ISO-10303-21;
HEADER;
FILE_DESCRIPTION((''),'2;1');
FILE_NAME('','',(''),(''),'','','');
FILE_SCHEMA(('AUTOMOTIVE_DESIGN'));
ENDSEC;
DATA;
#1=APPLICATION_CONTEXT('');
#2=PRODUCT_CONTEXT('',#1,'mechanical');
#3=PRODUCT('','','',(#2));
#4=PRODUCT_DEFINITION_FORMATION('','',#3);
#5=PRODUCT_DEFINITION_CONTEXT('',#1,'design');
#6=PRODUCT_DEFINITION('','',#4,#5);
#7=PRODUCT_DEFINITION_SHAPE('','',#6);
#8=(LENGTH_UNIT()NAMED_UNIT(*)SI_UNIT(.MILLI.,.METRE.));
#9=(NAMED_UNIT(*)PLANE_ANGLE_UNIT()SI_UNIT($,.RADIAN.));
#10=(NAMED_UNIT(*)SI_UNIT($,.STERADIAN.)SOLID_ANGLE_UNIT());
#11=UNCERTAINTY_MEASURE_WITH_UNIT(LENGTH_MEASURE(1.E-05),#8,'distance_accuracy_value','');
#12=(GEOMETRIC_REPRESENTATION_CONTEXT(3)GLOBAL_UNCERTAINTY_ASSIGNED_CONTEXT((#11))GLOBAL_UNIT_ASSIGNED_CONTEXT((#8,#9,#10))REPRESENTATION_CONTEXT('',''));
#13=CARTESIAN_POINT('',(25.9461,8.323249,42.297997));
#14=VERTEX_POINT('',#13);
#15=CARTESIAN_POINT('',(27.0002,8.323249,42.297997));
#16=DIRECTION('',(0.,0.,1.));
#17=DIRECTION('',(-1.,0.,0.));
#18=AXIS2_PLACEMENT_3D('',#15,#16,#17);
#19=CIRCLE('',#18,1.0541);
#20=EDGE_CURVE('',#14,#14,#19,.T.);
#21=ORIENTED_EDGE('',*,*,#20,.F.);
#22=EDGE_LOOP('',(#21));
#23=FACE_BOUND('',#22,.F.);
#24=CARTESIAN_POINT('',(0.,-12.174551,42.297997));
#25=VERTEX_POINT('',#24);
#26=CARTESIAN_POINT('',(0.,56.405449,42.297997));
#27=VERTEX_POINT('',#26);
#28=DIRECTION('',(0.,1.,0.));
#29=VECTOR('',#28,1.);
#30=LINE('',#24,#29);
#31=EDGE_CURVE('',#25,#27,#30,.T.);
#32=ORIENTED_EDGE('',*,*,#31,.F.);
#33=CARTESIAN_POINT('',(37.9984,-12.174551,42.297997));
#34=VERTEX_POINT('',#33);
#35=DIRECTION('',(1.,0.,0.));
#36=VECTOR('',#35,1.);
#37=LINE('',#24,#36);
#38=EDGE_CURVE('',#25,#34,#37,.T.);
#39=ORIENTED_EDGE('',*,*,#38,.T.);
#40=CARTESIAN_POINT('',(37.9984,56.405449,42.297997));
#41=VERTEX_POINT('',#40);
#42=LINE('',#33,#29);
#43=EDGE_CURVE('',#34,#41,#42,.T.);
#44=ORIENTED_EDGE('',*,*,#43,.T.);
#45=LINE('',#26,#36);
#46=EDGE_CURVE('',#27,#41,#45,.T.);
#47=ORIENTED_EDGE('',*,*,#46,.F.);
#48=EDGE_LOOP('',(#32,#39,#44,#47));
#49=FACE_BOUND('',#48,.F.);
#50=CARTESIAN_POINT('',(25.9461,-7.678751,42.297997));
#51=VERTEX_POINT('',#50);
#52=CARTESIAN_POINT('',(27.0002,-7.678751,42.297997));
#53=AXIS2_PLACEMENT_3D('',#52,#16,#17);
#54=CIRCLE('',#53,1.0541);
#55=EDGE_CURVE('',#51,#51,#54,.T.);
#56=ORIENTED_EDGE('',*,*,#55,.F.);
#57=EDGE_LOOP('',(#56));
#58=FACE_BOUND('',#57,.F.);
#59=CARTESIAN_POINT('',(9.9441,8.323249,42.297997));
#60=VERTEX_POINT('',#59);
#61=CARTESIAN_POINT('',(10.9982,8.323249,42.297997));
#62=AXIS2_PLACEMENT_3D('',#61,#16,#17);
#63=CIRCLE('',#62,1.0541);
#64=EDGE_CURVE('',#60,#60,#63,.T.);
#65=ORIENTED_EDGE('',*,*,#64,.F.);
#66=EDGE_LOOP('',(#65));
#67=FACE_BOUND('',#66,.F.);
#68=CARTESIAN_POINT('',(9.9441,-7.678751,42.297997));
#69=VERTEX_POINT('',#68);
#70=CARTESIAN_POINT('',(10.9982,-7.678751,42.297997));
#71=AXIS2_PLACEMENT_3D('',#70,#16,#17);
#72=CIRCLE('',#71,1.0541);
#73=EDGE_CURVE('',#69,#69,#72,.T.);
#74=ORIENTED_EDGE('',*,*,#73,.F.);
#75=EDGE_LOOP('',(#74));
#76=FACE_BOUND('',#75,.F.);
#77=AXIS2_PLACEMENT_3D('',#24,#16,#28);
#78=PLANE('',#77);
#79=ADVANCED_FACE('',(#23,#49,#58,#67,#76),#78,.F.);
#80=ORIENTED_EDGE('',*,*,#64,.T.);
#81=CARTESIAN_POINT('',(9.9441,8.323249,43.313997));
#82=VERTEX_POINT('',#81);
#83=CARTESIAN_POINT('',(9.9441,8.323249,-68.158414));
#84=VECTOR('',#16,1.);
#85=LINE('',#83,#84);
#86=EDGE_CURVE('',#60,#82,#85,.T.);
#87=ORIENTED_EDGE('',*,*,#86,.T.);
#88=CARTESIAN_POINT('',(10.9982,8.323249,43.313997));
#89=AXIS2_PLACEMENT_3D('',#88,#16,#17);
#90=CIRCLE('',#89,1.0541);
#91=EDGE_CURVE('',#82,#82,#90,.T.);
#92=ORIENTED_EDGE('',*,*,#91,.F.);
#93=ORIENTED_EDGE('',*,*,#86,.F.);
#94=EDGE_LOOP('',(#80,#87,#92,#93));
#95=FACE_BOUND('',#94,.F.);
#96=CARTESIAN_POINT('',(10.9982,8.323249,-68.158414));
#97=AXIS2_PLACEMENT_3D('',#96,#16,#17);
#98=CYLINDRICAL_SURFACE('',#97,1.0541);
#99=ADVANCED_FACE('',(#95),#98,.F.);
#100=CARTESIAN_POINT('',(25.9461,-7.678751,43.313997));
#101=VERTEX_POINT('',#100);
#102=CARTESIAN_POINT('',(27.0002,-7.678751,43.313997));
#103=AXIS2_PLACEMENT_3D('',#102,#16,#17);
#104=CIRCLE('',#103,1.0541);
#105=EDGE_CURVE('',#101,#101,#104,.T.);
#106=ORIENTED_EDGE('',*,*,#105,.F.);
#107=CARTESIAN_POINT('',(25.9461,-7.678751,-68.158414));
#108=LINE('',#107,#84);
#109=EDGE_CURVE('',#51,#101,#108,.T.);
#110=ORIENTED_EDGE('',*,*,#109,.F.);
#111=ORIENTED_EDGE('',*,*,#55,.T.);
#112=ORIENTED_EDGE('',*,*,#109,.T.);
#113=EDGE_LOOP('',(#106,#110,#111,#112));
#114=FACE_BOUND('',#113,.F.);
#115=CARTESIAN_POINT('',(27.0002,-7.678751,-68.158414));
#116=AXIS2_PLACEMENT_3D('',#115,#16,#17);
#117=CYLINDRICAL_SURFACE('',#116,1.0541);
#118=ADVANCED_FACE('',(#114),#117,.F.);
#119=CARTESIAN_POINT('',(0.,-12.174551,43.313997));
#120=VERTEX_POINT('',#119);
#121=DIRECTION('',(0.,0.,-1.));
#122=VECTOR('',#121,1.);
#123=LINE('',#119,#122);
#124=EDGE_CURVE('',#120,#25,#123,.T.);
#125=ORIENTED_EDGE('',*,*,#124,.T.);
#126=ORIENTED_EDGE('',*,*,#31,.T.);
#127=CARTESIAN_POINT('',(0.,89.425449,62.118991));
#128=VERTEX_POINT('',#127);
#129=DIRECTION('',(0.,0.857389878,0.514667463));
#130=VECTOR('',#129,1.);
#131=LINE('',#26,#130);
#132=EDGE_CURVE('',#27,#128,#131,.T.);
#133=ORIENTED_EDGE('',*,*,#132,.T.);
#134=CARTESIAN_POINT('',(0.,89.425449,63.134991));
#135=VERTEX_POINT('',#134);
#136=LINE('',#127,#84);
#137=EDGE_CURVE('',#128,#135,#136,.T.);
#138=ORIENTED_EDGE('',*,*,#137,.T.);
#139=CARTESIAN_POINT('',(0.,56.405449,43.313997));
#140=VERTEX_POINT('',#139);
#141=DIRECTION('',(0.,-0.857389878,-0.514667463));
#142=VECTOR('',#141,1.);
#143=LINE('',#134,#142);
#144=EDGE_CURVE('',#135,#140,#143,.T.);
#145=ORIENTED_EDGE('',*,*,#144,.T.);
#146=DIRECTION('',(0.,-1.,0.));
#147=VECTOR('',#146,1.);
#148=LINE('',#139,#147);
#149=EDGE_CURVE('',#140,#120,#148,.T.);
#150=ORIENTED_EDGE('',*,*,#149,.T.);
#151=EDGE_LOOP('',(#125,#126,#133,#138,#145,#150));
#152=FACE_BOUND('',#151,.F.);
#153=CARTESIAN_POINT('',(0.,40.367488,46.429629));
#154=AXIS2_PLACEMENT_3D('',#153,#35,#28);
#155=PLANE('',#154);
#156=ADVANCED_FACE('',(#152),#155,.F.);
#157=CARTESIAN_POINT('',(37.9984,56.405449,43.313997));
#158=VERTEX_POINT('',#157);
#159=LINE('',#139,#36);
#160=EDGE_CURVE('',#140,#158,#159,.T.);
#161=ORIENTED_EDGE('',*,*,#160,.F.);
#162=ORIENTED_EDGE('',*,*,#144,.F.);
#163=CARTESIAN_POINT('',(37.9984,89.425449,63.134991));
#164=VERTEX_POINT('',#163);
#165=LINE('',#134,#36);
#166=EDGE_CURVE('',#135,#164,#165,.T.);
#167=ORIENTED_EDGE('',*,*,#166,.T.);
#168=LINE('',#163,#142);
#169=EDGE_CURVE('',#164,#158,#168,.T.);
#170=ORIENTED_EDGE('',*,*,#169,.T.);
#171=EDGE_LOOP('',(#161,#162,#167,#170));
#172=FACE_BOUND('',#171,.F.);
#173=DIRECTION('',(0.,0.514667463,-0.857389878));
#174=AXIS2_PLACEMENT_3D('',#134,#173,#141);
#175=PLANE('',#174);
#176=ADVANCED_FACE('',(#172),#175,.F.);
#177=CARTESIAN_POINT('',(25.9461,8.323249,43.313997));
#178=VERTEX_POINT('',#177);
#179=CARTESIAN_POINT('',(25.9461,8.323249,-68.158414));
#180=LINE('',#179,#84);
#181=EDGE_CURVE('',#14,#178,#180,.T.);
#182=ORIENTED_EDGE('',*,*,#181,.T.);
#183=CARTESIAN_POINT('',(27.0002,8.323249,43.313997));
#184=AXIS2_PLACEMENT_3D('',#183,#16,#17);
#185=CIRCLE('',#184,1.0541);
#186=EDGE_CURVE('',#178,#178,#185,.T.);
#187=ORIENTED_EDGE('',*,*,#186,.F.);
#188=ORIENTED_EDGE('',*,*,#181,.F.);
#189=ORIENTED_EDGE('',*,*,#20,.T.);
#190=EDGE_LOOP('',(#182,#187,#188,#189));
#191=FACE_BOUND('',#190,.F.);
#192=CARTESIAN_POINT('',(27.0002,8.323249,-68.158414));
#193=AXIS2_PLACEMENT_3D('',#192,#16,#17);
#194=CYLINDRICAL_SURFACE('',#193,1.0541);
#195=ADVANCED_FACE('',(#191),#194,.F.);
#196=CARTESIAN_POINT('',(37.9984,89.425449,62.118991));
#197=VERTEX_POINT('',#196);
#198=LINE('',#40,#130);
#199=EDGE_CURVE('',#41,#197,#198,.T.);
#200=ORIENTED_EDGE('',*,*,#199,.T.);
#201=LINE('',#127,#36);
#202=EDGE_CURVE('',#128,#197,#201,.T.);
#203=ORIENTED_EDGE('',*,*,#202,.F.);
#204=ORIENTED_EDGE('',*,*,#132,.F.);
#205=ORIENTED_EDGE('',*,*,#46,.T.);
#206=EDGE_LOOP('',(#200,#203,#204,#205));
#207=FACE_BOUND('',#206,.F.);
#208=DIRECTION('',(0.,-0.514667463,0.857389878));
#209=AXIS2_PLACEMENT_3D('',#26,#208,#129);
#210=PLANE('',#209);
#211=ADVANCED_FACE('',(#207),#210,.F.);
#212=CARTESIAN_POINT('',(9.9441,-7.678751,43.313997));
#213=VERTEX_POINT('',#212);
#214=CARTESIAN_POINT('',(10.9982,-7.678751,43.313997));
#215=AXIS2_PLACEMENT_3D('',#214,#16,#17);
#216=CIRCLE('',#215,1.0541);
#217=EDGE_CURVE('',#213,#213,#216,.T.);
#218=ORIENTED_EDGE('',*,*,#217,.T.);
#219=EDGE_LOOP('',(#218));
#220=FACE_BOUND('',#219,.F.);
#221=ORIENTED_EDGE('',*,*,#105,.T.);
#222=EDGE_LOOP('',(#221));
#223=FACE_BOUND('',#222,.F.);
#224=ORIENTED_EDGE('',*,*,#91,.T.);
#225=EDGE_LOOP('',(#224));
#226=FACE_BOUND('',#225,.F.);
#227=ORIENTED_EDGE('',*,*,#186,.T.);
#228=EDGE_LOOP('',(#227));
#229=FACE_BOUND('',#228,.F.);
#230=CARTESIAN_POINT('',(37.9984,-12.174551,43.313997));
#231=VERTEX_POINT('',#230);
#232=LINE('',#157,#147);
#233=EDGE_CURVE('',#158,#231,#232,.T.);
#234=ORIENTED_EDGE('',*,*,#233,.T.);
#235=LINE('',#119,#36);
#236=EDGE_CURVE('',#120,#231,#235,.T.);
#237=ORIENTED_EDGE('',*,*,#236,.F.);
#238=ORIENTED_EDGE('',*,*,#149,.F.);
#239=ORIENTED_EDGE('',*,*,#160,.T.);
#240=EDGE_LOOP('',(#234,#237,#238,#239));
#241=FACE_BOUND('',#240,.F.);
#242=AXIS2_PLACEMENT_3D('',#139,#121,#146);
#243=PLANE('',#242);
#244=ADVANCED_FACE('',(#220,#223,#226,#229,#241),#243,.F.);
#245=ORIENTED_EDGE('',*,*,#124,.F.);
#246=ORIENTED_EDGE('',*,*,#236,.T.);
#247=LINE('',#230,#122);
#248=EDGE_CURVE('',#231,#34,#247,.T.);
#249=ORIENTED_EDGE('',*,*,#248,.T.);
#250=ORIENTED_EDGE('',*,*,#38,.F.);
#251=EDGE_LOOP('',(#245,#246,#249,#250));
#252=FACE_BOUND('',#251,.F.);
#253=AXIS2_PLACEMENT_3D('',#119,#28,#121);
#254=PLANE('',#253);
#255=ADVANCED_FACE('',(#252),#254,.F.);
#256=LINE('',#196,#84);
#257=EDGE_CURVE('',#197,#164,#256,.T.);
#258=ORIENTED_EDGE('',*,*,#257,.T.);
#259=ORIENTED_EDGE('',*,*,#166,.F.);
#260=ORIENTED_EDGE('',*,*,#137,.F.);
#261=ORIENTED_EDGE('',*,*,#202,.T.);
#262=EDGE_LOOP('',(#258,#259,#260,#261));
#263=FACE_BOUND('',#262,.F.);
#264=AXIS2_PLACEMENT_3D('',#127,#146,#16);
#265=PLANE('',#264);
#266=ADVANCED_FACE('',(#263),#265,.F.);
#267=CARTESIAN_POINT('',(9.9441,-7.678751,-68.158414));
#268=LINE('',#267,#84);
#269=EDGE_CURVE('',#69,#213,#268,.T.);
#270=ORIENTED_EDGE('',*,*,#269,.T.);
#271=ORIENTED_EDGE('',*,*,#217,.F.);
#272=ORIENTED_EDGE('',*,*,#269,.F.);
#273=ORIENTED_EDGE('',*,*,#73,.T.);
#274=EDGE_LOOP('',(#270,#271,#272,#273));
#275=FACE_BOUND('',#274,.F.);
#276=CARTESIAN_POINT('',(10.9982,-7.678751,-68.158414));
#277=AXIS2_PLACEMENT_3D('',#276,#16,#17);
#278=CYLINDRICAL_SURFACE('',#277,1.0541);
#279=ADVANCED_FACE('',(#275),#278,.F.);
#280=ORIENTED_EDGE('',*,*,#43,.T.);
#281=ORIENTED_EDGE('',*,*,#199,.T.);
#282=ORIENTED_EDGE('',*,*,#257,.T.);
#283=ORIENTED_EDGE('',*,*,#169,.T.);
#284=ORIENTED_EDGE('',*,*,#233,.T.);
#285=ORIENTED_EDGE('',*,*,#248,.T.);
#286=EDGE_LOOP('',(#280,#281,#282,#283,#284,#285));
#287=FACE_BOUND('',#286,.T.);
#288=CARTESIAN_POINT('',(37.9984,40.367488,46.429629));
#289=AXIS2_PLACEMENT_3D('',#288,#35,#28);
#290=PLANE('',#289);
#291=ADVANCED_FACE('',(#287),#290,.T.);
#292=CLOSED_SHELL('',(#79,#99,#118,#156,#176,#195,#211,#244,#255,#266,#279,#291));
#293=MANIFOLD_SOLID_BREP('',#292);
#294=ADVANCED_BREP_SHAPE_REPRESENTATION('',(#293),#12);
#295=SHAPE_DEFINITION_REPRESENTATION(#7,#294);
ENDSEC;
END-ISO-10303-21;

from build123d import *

# Parameters (mm, degrees)
F1_DEPTH = 37.9984
F3_D     = 2.1082


with BuildPart() as f1:
    # F0 (on Right) → F1 (new body)
    with BuildSketch(Plane.YZ):
        Polygon((56.405449, 43.313997), (-12.174551, 43.313997), (-12.174551, 42.297997), (56.405449, 42.297997), (89.425449, 62.118991), (89.425449, 63.134991), align=None)
    extrude(amount=F1_DEPTH)

    # F3 (through all)
    with Locations(Plane(origin=(0, 0, 42.297997), x_dir=(1, 0, 0), z_dir=(0, 0, -1))):
        with Locations((27.0002, -8.323249), (10.9982, -8.323249), (10.9982, 7.678751), (27.0002, 7.678751)):
            Hole(F3_D / 2)


solid = f1.part
